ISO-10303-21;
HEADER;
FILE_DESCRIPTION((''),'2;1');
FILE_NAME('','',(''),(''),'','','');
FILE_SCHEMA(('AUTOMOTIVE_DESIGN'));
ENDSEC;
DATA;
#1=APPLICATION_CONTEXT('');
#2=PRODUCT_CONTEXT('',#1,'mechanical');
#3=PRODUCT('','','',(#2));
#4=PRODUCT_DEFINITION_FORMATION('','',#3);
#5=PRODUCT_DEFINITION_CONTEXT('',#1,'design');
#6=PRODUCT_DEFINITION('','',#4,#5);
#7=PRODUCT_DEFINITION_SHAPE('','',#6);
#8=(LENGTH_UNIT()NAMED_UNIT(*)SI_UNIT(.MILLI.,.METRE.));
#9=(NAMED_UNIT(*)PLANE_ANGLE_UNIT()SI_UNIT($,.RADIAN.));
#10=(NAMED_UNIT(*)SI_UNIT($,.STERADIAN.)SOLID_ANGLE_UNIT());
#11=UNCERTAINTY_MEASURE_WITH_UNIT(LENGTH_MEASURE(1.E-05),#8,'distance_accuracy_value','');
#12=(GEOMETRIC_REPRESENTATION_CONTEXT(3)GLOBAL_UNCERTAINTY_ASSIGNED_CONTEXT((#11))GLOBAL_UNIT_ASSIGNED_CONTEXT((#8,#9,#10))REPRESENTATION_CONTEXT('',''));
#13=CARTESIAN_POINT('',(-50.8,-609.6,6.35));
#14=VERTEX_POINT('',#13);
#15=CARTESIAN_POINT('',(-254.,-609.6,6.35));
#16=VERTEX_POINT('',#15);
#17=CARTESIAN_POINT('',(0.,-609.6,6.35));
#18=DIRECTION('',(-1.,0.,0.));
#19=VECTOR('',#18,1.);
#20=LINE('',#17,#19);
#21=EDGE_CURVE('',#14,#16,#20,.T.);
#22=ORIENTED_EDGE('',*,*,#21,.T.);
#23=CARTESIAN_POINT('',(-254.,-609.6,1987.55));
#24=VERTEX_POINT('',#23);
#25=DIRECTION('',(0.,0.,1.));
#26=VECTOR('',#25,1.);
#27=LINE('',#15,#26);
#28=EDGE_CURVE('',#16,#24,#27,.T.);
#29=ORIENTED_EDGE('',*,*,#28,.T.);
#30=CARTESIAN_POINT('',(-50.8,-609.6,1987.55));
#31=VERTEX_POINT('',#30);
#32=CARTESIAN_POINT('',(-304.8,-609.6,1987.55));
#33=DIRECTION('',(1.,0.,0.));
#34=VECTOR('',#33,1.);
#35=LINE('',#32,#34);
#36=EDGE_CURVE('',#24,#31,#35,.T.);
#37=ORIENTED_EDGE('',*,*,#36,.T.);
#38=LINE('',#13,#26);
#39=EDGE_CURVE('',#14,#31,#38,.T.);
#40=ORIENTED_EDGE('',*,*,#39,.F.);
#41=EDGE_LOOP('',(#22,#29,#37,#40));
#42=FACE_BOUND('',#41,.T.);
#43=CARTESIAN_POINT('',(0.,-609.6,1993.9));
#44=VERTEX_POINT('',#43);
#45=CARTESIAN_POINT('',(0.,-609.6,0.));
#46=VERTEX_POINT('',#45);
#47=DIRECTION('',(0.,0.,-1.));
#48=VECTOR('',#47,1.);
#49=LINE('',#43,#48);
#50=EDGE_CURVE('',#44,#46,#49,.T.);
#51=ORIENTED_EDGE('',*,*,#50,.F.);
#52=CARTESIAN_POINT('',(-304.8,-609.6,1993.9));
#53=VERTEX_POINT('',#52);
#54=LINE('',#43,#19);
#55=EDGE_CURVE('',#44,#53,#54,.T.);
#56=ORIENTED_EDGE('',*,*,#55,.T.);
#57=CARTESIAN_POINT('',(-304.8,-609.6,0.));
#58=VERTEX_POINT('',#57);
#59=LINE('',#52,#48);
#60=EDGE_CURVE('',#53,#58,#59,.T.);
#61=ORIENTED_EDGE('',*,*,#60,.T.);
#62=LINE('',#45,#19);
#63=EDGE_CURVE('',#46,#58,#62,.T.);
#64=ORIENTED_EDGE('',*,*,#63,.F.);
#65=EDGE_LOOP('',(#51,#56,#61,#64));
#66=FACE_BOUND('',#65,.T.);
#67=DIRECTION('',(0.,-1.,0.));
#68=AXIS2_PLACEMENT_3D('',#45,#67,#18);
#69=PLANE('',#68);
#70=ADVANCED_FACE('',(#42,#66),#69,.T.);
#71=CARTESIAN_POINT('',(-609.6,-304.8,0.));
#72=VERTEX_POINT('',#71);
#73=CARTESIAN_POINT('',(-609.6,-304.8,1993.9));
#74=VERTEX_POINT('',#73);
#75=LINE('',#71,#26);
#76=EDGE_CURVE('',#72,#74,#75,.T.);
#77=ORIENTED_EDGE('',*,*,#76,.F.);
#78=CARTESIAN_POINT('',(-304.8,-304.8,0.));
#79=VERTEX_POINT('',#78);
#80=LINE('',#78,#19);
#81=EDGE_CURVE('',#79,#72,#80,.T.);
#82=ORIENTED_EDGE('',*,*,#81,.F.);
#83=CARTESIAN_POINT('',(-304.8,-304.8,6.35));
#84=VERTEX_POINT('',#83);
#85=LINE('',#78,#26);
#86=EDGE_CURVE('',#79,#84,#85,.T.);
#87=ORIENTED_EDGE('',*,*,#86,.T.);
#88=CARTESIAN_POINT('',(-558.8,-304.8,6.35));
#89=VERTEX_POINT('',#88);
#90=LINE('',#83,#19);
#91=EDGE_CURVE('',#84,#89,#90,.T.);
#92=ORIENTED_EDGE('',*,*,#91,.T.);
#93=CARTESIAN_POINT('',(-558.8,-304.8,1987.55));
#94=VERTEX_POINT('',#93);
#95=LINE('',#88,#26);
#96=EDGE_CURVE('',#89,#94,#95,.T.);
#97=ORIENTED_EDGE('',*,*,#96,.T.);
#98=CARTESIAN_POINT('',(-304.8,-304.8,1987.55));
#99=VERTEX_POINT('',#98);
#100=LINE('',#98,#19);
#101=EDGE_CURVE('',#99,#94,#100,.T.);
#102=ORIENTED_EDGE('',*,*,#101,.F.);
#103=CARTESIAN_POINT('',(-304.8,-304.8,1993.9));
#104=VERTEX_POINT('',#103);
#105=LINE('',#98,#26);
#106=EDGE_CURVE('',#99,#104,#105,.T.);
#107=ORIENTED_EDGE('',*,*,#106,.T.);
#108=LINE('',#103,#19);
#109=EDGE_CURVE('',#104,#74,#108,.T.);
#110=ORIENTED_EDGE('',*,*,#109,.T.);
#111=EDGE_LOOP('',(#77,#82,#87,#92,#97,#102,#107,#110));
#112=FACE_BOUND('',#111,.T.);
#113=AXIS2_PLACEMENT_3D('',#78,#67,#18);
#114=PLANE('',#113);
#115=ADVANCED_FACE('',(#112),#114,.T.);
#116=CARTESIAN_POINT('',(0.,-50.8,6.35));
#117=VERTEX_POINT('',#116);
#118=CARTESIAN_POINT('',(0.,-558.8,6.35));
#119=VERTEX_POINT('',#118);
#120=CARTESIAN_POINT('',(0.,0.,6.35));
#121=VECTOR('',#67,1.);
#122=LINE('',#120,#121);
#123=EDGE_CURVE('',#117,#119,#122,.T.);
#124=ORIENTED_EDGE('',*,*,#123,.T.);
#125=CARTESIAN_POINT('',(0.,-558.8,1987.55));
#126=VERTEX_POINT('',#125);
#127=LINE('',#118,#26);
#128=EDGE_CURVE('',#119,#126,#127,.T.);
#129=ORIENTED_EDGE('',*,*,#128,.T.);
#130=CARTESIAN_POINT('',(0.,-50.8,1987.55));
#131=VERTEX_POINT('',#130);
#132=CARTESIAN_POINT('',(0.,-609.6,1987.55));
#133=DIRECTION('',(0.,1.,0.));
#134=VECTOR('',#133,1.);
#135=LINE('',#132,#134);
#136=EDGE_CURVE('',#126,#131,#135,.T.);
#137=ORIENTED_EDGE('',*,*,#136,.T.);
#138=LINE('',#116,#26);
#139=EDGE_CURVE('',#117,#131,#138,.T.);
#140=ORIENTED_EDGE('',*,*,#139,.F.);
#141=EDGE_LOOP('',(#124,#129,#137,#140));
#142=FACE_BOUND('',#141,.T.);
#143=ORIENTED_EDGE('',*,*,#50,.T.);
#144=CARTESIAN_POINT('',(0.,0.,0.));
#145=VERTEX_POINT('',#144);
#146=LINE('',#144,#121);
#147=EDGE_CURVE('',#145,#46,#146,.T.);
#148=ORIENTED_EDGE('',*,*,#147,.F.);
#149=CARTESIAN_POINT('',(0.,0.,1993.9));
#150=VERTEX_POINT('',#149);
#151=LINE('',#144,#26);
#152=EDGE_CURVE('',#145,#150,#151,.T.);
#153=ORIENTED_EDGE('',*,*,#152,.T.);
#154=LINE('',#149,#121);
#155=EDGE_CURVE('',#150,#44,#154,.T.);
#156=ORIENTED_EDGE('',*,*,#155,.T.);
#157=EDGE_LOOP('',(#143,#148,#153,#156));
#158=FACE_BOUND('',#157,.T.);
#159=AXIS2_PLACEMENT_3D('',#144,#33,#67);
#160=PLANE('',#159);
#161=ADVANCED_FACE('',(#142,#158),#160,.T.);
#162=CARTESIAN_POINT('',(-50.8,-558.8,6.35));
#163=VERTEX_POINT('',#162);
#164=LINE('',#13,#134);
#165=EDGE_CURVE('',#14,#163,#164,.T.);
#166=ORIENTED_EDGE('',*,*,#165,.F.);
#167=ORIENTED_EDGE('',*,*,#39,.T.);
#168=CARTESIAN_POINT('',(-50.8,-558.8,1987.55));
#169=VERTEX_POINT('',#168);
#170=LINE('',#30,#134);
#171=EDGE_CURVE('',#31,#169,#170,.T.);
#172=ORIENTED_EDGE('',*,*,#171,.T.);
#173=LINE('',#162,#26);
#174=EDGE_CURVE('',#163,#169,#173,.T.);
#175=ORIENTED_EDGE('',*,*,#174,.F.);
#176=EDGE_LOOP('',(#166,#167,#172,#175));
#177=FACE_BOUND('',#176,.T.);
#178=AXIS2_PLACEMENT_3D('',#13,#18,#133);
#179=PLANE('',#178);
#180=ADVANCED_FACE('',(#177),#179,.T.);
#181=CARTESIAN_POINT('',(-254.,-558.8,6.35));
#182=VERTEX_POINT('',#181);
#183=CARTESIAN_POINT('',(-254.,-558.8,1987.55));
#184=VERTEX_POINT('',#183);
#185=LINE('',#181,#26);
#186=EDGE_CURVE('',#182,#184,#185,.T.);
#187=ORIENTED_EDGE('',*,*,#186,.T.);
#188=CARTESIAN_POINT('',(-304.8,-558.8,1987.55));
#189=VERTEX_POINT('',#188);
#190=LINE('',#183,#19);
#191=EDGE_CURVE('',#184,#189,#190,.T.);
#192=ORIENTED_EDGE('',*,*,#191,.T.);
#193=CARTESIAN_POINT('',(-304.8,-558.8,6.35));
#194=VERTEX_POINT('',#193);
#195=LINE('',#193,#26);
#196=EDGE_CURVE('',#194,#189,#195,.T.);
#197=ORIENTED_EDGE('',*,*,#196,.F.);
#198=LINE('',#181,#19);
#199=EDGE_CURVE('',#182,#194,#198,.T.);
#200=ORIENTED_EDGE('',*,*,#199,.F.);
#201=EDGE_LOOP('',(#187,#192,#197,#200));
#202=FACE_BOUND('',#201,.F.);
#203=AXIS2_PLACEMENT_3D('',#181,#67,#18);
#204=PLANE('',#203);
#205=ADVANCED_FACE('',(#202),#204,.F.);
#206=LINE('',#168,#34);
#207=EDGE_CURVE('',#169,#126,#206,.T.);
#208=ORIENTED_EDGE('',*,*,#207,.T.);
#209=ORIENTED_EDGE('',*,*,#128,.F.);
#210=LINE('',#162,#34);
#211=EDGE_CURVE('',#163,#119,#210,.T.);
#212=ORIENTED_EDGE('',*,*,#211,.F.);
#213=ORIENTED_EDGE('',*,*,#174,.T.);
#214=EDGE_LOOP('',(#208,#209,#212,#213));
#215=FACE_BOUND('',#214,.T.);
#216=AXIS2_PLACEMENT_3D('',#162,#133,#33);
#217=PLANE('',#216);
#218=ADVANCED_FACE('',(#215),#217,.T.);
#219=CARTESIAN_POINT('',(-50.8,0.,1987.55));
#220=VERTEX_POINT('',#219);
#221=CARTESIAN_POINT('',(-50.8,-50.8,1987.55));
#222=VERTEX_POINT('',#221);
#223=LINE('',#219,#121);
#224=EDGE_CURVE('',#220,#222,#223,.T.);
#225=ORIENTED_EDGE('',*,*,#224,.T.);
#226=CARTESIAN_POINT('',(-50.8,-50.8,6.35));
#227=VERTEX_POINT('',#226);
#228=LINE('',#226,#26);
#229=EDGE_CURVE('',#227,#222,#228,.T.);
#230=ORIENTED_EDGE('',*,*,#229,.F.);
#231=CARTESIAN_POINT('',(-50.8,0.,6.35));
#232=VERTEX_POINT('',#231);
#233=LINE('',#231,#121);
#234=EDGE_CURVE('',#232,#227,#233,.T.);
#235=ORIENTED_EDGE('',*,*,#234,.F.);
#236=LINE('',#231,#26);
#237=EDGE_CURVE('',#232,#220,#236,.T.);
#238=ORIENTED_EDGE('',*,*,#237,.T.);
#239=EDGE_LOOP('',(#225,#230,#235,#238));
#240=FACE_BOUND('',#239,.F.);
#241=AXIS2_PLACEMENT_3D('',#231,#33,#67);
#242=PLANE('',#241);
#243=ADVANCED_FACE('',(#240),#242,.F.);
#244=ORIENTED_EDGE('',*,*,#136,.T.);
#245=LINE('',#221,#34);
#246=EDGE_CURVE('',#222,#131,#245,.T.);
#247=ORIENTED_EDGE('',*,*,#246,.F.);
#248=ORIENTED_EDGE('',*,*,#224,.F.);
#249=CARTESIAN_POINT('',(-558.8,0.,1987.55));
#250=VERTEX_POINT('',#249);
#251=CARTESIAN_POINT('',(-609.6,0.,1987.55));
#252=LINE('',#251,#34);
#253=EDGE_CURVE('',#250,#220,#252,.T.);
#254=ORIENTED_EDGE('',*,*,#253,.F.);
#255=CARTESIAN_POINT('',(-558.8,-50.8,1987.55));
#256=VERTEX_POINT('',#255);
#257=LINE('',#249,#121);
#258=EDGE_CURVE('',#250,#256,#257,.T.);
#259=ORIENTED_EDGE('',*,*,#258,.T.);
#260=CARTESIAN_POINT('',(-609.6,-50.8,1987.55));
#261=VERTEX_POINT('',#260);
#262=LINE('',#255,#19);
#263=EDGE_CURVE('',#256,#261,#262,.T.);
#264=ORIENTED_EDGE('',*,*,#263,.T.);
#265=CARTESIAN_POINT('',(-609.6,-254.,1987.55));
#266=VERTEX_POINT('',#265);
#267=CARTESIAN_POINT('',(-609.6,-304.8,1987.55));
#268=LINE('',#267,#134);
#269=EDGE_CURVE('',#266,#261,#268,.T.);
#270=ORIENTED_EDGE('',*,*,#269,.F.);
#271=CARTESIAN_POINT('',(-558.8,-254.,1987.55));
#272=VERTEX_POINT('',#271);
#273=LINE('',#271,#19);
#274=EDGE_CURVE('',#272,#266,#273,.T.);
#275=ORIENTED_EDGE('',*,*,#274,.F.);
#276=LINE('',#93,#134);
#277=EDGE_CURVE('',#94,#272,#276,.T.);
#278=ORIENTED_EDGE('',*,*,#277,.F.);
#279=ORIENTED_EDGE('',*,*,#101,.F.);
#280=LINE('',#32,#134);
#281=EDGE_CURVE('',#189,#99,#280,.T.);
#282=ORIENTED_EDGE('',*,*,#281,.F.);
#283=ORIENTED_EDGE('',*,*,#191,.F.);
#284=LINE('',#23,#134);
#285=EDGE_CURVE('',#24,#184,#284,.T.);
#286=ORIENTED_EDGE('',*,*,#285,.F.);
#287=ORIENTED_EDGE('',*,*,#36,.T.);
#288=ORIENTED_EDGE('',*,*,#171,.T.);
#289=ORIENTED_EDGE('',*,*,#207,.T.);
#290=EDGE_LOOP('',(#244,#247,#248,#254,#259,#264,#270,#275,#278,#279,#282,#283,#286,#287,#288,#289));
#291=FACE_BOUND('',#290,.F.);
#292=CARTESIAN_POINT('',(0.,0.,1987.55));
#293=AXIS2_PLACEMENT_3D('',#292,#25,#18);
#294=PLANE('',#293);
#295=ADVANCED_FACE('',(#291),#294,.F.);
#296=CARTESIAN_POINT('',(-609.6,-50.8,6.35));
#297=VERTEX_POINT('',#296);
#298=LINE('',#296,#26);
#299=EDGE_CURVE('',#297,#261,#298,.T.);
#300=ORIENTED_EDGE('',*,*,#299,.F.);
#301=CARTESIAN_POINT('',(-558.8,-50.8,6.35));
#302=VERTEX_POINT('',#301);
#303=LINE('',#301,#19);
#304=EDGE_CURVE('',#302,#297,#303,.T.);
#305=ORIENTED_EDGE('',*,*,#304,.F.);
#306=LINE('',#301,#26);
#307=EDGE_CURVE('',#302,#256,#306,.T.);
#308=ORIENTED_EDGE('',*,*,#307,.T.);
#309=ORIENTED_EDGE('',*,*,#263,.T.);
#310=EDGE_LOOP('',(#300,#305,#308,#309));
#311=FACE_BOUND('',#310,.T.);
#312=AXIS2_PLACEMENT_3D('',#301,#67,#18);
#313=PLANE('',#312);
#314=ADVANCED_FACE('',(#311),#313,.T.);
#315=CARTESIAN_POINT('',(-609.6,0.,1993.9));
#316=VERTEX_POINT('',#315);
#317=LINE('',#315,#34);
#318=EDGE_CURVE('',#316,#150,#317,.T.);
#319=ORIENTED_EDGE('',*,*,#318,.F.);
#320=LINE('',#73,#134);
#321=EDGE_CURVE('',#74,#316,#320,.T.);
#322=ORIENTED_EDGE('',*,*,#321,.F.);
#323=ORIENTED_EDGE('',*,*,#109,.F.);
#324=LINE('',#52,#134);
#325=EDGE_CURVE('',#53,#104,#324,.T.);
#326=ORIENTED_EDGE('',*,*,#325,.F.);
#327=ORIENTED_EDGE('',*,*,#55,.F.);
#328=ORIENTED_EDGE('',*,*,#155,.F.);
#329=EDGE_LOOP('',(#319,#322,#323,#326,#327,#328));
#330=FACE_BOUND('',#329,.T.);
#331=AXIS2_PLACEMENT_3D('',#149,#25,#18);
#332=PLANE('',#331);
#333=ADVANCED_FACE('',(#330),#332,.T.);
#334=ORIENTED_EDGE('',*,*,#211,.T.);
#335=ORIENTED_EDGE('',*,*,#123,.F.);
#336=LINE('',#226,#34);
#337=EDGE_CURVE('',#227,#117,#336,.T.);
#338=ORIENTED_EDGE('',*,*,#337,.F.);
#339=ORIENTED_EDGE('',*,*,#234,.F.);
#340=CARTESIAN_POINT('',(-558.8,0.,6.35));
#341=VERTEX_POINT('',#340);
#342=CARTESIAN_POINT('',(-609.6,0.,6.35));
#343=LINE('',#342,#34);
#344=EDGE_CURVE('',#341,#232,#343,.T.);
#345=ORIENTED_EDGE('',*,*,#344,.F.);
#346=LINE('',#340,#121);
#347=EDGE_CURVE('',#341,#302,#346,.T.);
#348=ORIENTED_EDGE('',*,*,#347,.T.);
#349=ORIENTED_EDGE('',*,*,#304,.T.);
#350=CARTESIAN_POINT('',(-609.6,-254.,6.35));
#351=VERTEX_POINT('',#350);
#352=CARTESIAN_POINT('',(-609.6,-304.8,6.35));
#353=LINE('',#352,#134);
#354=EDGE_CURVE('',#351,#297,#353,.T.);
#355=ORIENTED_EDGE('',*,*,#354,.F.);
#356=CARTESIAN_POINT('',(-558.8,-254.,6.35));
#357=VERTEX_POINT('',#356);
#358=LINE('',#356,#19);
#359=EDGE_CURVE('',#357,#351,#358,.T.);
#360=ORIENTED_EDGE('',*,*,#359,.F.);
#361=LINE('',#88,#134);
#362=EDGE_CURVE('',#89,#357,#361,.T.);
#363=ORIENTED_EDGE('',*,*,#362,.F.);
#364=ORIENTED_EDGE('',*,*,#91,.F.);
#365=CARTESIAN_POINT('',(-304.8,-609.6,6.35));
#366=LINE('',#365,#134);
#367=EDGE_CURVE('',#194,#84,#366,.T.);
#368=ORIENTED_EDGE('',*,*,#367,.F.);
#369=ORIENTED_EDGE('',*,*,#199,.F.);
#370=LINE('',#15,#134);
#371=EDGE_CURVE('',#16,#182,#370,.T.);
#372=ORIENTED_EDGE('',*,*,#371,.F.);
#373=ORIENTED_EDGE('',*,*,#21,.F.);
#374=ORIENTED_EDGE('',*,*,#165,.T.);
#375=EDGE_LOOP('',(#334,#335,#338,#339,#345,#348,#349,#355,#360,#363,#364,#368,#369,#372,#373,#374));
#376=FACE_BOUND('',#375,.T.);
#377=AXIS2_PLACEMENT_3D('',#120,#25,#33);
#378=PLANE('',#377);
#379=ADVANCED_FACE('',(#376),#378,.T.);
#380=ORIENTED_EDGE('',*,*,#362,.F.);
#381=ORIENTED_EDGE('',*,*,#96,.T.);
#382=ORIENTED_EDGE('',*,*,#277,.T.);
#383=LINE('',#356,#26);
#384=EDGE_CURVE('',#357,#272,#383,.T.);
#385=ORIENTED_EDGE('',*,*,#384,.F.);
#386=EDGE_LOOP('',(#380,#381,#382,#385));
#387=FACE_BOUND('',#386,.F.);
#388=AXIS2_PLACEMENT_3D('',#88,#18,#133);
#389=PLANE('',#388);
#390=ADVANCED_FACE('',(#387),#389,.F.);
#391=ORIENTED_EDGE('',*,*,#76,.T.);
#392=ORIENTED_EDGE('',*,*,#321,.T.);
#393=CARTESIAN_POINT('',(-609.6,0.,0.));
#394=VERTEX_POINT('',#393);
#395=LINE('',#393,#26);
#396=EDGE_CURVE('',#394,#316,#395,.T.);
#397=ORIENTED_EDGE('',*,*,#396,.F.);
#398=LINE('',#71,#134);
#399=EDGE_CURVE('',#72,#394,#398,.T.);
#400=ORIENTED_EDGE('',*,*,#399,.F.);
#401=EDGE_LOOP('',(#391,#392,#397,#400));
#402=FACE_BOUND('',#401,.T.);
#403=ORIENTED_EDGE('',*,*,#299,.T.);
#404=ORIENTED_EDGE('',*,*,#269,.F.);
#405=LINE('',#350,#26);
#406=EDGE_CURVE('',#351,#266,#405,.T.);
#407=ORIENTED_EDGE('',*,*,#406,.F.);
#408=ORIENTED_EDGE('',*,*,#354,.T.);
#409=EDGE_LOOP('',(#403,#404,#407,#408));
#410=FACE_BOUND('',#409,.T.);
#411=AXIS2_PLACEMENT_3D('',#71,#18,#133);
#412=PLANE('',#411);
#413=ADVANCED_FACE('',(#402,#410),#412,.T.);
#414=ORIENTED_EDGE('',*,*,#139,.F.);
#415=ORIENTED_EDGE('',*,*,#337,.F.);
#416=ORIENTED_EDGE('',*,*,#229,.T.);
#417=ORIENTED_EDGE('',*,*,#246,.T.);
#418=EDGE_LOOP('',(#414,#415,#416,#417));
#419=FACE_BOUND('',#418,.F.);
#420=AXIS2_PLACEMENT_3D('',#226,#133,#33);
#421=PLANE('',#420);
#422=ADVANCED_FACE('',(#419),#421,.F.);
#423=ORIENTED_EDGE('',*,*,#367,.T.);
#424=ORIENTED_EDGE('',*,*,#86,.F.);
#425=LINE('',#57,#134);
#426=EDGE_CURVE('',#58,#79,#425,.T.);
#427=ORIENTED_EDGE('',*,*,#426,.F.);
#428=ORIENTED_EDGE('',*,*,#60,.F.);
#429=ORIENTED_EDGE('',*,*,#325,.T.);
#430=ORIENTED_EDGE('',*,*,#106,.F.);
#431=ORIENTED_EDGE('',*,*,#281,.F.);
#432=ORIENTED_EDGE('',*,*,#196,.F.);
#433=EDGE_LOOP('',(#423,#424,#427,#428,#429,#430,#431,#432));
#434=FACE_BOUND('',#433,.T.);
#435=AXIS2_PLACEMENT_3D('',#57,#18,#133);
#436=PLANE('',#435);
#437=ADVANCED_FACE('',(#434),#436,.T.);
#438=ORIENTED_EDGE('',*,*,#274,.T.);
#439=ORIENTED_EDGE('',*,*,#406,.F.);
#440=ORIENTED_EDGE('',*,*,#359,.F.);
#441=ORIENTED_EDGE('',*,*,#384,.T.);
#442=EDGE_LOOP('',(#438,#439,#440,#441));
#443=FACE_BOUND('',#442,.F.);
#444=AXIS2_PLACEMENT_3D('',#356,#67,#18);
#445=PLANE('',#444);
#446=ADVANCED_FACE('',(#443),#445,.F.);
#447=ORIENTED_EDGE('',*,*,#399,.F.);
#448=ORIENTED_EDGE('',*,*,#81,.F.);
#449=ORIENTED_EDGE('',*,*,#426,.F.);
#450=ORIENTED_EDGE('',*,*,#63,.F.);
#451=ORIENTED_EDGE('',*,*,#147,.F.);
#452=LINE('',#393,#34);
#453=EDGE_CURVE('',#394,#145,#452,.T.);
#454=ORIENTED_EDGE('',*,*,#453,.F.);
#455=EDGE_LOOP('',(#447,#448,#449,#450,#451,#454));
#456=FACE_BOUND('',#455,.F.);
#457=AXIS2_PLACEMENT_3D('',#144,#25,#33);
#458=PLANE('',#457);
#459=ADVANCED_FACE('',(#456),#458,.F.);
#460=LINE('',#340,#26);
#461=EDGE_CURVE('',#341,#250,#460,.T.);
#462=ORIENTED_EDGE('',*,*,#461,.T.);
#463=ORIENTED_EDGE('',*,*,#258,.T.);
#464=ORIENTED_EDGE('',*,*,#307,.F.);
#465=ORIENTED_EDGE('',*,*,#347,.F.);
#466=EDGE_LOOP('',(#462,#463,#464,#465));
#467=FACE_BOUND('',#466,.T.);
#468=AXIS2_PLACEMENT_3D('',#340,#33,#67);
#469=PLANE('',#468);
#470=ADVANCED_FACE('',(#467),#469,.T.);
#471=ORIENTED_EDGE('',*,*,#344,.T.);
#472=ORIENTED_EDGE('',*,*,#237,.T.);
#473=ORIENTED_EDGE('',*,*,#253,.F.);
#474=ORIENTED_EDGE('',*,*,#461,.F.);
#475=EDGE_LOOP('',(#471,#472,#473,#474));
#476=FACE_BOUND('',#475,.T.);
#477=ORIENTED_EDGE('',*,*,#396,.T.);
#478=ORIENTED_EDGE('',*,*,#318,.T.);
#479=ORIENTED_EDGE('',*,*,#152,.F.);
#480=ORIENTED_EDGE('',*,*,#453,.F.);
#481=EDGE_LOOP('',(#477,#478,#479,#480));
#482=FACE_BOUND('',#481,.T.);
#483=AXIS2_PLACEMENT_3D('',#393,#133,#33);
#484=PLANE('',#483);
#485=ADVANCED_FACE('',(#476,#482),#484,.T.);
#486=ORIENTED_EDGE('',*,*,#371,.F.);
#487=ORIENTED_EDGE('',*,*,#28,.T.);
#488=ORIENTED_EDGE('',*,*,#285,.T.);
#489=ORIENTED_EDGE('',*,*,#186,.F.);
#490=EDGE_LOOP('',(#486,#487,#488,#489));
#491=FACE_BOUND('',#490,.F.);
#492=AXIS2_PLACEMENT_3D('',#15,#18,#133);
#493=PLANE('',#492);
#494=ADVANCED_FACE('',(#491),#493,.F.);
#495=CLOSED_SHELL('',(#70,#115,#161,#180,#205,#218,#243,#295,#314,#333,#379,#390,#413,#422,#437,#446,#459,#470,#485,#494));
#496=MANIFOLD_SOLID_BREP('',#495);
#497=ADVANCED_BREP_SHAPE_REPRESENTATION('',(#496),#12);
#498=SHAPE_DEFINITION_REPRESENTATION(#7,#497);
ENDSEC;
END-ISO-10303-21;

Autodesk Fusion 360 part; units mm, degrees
sketch "Sketch1" plane through (0, 0, 0) normal (0, 0, 1) x (1, 0, 0)
  line L0 (0, 0) -> (0, -609.6)
  line L1 (0, -609.6) -> (-304.8, -609.6)
  line L2 (-304.8, -609.6) -> (-304.8, -304.8)
  line L3 (-304.8, -304.8) -> (-609.6, -304.8)
  line L4 (-609.6, -304.8) -> (-609.6, 0)
  line L5 (-609.6, 0) -> (0, 0)
  line L6 (-403.5828, -304.8) -> (-304.8, -403.5828) construction
  line L7 (-354.1914, -354.1914) -> (0, 0) construction
  dimension "d1" = 609.6
  dimension "d2" = 609.6
  dimension "d3" = 304.8
  dimension "d4" = 304.8
  dimension "d17" = 135
  dimension "d18" = 139.7
extrude "Extrude1" add sketch "Sketch1" along normal blind 6.35
sketch "Sketch2" plane through (0, 0, 6.35) normal (0, 0, 1) x (-1, 0, 0)
  line L0 (609.6, 0) -> (609.6, 304.8)
  line L1 (609.6, 304.8) -> (304.8, 304.8)
  line L2 (304.8, 304.8) -> (304.8, 609.6)
  line L3 (304.8, 609.6) -> (0, 609.6)
  line L4 (0, 609.6) -> (0, 0)
  line L5 (0, 0) -> (609.6, 0)
  line L6 (304.8, 609.6) -> (254, 609.6)
  line L7 (254, 609.6) -> (254, 558.8)
  line L8 (254, 558.8) -> (304.8, 558.8)
  line L9 (304.8, 558.8) -> (304.8, 609.6)
  line L10 (0, 609.6) -> (50.8, 609.6)
  line L11 (50.8, 609.6) -> (50.8, 558.8)
  line L12 (50.8, 558.8) -> (0, 558.8)
  line L13 (0, 558.8) -> (0, 609.6)
  line L14 (0, 0) -> (50.8, 0)
  line L15 (50.8, 0) -> (50.8, 50.8)
  line L16 (50.8, 50.8) -> (0, 50.8)
  line L17 (0, 50.8) -> (0, 0)
  line L18 (609.6, 0) -> (558.8, 0)
  line L19 (558.8, 0) -> (558.8, 50.8)
  line L20 (558.8, 50.8) -> (609.6, 50.8)
  line L21 (609.6, 50.8) -> (609.6, 0)
  line L22 (609.6, 304.8) -> (558.8, 304.8)
  line L23 (558.8, 304.8) -> (558.8, 254)
  line L24 (558.8, 254) -> (609.6, 254)
  line L25 (609.6, 254) -> (609.6, 304.8)
  dimension "d7" = 50.8
  dimension "d8" = 50.8
  dimension "d9" = 50.8
  dimension "d10" = 50.8
  dimension "d11" = 50.8
  dimension "d12" = 50.8
extrude "Extrude2" add sketch "Sketch2" along normal blind 1981.2 contours L0 L5 L18 L19 L20 L21 | L0 L1 L22 L23 L24 L25 | L4 L5 L14 L15 L16 L17 | L3 L4 L10 L11 L12 L13 | L2 L3 L6 L7 L8 L9
sketch "Sketch3" plane through (0, 0, 1987.55) normal (0, 0, 1) x (-1, 0, 0)
  line L0 (0, 558.8) -> (50.8, 558.8)
  line L1 (50.8, 558.8) -> (50.8, 609.6)
  line L2 (50.8, 609.6) -> (0, 609.6)
  line L3 (0, 609.6) -> (0, 558.8)
  line L4 (0, 609.6) -> (0, 0)
  line L5 (0, 609.6) -> (304.8, 609.6)
  line L6 (304.8, 609.6) -> (304.8, 304.8)
  line L7 (304.8, 304.8) -> (609.6, 304.8)
  line L8 (609.6, 304.8) -> (609.6, 0)
  line L9 (609.6, 0) -> (0, 0)
  point P0 (304.8, 609.6)
  point P1 (609.6, 304.8)
extrude "Extrude3" add sketch "Sketch3" along normal blind 6.35
